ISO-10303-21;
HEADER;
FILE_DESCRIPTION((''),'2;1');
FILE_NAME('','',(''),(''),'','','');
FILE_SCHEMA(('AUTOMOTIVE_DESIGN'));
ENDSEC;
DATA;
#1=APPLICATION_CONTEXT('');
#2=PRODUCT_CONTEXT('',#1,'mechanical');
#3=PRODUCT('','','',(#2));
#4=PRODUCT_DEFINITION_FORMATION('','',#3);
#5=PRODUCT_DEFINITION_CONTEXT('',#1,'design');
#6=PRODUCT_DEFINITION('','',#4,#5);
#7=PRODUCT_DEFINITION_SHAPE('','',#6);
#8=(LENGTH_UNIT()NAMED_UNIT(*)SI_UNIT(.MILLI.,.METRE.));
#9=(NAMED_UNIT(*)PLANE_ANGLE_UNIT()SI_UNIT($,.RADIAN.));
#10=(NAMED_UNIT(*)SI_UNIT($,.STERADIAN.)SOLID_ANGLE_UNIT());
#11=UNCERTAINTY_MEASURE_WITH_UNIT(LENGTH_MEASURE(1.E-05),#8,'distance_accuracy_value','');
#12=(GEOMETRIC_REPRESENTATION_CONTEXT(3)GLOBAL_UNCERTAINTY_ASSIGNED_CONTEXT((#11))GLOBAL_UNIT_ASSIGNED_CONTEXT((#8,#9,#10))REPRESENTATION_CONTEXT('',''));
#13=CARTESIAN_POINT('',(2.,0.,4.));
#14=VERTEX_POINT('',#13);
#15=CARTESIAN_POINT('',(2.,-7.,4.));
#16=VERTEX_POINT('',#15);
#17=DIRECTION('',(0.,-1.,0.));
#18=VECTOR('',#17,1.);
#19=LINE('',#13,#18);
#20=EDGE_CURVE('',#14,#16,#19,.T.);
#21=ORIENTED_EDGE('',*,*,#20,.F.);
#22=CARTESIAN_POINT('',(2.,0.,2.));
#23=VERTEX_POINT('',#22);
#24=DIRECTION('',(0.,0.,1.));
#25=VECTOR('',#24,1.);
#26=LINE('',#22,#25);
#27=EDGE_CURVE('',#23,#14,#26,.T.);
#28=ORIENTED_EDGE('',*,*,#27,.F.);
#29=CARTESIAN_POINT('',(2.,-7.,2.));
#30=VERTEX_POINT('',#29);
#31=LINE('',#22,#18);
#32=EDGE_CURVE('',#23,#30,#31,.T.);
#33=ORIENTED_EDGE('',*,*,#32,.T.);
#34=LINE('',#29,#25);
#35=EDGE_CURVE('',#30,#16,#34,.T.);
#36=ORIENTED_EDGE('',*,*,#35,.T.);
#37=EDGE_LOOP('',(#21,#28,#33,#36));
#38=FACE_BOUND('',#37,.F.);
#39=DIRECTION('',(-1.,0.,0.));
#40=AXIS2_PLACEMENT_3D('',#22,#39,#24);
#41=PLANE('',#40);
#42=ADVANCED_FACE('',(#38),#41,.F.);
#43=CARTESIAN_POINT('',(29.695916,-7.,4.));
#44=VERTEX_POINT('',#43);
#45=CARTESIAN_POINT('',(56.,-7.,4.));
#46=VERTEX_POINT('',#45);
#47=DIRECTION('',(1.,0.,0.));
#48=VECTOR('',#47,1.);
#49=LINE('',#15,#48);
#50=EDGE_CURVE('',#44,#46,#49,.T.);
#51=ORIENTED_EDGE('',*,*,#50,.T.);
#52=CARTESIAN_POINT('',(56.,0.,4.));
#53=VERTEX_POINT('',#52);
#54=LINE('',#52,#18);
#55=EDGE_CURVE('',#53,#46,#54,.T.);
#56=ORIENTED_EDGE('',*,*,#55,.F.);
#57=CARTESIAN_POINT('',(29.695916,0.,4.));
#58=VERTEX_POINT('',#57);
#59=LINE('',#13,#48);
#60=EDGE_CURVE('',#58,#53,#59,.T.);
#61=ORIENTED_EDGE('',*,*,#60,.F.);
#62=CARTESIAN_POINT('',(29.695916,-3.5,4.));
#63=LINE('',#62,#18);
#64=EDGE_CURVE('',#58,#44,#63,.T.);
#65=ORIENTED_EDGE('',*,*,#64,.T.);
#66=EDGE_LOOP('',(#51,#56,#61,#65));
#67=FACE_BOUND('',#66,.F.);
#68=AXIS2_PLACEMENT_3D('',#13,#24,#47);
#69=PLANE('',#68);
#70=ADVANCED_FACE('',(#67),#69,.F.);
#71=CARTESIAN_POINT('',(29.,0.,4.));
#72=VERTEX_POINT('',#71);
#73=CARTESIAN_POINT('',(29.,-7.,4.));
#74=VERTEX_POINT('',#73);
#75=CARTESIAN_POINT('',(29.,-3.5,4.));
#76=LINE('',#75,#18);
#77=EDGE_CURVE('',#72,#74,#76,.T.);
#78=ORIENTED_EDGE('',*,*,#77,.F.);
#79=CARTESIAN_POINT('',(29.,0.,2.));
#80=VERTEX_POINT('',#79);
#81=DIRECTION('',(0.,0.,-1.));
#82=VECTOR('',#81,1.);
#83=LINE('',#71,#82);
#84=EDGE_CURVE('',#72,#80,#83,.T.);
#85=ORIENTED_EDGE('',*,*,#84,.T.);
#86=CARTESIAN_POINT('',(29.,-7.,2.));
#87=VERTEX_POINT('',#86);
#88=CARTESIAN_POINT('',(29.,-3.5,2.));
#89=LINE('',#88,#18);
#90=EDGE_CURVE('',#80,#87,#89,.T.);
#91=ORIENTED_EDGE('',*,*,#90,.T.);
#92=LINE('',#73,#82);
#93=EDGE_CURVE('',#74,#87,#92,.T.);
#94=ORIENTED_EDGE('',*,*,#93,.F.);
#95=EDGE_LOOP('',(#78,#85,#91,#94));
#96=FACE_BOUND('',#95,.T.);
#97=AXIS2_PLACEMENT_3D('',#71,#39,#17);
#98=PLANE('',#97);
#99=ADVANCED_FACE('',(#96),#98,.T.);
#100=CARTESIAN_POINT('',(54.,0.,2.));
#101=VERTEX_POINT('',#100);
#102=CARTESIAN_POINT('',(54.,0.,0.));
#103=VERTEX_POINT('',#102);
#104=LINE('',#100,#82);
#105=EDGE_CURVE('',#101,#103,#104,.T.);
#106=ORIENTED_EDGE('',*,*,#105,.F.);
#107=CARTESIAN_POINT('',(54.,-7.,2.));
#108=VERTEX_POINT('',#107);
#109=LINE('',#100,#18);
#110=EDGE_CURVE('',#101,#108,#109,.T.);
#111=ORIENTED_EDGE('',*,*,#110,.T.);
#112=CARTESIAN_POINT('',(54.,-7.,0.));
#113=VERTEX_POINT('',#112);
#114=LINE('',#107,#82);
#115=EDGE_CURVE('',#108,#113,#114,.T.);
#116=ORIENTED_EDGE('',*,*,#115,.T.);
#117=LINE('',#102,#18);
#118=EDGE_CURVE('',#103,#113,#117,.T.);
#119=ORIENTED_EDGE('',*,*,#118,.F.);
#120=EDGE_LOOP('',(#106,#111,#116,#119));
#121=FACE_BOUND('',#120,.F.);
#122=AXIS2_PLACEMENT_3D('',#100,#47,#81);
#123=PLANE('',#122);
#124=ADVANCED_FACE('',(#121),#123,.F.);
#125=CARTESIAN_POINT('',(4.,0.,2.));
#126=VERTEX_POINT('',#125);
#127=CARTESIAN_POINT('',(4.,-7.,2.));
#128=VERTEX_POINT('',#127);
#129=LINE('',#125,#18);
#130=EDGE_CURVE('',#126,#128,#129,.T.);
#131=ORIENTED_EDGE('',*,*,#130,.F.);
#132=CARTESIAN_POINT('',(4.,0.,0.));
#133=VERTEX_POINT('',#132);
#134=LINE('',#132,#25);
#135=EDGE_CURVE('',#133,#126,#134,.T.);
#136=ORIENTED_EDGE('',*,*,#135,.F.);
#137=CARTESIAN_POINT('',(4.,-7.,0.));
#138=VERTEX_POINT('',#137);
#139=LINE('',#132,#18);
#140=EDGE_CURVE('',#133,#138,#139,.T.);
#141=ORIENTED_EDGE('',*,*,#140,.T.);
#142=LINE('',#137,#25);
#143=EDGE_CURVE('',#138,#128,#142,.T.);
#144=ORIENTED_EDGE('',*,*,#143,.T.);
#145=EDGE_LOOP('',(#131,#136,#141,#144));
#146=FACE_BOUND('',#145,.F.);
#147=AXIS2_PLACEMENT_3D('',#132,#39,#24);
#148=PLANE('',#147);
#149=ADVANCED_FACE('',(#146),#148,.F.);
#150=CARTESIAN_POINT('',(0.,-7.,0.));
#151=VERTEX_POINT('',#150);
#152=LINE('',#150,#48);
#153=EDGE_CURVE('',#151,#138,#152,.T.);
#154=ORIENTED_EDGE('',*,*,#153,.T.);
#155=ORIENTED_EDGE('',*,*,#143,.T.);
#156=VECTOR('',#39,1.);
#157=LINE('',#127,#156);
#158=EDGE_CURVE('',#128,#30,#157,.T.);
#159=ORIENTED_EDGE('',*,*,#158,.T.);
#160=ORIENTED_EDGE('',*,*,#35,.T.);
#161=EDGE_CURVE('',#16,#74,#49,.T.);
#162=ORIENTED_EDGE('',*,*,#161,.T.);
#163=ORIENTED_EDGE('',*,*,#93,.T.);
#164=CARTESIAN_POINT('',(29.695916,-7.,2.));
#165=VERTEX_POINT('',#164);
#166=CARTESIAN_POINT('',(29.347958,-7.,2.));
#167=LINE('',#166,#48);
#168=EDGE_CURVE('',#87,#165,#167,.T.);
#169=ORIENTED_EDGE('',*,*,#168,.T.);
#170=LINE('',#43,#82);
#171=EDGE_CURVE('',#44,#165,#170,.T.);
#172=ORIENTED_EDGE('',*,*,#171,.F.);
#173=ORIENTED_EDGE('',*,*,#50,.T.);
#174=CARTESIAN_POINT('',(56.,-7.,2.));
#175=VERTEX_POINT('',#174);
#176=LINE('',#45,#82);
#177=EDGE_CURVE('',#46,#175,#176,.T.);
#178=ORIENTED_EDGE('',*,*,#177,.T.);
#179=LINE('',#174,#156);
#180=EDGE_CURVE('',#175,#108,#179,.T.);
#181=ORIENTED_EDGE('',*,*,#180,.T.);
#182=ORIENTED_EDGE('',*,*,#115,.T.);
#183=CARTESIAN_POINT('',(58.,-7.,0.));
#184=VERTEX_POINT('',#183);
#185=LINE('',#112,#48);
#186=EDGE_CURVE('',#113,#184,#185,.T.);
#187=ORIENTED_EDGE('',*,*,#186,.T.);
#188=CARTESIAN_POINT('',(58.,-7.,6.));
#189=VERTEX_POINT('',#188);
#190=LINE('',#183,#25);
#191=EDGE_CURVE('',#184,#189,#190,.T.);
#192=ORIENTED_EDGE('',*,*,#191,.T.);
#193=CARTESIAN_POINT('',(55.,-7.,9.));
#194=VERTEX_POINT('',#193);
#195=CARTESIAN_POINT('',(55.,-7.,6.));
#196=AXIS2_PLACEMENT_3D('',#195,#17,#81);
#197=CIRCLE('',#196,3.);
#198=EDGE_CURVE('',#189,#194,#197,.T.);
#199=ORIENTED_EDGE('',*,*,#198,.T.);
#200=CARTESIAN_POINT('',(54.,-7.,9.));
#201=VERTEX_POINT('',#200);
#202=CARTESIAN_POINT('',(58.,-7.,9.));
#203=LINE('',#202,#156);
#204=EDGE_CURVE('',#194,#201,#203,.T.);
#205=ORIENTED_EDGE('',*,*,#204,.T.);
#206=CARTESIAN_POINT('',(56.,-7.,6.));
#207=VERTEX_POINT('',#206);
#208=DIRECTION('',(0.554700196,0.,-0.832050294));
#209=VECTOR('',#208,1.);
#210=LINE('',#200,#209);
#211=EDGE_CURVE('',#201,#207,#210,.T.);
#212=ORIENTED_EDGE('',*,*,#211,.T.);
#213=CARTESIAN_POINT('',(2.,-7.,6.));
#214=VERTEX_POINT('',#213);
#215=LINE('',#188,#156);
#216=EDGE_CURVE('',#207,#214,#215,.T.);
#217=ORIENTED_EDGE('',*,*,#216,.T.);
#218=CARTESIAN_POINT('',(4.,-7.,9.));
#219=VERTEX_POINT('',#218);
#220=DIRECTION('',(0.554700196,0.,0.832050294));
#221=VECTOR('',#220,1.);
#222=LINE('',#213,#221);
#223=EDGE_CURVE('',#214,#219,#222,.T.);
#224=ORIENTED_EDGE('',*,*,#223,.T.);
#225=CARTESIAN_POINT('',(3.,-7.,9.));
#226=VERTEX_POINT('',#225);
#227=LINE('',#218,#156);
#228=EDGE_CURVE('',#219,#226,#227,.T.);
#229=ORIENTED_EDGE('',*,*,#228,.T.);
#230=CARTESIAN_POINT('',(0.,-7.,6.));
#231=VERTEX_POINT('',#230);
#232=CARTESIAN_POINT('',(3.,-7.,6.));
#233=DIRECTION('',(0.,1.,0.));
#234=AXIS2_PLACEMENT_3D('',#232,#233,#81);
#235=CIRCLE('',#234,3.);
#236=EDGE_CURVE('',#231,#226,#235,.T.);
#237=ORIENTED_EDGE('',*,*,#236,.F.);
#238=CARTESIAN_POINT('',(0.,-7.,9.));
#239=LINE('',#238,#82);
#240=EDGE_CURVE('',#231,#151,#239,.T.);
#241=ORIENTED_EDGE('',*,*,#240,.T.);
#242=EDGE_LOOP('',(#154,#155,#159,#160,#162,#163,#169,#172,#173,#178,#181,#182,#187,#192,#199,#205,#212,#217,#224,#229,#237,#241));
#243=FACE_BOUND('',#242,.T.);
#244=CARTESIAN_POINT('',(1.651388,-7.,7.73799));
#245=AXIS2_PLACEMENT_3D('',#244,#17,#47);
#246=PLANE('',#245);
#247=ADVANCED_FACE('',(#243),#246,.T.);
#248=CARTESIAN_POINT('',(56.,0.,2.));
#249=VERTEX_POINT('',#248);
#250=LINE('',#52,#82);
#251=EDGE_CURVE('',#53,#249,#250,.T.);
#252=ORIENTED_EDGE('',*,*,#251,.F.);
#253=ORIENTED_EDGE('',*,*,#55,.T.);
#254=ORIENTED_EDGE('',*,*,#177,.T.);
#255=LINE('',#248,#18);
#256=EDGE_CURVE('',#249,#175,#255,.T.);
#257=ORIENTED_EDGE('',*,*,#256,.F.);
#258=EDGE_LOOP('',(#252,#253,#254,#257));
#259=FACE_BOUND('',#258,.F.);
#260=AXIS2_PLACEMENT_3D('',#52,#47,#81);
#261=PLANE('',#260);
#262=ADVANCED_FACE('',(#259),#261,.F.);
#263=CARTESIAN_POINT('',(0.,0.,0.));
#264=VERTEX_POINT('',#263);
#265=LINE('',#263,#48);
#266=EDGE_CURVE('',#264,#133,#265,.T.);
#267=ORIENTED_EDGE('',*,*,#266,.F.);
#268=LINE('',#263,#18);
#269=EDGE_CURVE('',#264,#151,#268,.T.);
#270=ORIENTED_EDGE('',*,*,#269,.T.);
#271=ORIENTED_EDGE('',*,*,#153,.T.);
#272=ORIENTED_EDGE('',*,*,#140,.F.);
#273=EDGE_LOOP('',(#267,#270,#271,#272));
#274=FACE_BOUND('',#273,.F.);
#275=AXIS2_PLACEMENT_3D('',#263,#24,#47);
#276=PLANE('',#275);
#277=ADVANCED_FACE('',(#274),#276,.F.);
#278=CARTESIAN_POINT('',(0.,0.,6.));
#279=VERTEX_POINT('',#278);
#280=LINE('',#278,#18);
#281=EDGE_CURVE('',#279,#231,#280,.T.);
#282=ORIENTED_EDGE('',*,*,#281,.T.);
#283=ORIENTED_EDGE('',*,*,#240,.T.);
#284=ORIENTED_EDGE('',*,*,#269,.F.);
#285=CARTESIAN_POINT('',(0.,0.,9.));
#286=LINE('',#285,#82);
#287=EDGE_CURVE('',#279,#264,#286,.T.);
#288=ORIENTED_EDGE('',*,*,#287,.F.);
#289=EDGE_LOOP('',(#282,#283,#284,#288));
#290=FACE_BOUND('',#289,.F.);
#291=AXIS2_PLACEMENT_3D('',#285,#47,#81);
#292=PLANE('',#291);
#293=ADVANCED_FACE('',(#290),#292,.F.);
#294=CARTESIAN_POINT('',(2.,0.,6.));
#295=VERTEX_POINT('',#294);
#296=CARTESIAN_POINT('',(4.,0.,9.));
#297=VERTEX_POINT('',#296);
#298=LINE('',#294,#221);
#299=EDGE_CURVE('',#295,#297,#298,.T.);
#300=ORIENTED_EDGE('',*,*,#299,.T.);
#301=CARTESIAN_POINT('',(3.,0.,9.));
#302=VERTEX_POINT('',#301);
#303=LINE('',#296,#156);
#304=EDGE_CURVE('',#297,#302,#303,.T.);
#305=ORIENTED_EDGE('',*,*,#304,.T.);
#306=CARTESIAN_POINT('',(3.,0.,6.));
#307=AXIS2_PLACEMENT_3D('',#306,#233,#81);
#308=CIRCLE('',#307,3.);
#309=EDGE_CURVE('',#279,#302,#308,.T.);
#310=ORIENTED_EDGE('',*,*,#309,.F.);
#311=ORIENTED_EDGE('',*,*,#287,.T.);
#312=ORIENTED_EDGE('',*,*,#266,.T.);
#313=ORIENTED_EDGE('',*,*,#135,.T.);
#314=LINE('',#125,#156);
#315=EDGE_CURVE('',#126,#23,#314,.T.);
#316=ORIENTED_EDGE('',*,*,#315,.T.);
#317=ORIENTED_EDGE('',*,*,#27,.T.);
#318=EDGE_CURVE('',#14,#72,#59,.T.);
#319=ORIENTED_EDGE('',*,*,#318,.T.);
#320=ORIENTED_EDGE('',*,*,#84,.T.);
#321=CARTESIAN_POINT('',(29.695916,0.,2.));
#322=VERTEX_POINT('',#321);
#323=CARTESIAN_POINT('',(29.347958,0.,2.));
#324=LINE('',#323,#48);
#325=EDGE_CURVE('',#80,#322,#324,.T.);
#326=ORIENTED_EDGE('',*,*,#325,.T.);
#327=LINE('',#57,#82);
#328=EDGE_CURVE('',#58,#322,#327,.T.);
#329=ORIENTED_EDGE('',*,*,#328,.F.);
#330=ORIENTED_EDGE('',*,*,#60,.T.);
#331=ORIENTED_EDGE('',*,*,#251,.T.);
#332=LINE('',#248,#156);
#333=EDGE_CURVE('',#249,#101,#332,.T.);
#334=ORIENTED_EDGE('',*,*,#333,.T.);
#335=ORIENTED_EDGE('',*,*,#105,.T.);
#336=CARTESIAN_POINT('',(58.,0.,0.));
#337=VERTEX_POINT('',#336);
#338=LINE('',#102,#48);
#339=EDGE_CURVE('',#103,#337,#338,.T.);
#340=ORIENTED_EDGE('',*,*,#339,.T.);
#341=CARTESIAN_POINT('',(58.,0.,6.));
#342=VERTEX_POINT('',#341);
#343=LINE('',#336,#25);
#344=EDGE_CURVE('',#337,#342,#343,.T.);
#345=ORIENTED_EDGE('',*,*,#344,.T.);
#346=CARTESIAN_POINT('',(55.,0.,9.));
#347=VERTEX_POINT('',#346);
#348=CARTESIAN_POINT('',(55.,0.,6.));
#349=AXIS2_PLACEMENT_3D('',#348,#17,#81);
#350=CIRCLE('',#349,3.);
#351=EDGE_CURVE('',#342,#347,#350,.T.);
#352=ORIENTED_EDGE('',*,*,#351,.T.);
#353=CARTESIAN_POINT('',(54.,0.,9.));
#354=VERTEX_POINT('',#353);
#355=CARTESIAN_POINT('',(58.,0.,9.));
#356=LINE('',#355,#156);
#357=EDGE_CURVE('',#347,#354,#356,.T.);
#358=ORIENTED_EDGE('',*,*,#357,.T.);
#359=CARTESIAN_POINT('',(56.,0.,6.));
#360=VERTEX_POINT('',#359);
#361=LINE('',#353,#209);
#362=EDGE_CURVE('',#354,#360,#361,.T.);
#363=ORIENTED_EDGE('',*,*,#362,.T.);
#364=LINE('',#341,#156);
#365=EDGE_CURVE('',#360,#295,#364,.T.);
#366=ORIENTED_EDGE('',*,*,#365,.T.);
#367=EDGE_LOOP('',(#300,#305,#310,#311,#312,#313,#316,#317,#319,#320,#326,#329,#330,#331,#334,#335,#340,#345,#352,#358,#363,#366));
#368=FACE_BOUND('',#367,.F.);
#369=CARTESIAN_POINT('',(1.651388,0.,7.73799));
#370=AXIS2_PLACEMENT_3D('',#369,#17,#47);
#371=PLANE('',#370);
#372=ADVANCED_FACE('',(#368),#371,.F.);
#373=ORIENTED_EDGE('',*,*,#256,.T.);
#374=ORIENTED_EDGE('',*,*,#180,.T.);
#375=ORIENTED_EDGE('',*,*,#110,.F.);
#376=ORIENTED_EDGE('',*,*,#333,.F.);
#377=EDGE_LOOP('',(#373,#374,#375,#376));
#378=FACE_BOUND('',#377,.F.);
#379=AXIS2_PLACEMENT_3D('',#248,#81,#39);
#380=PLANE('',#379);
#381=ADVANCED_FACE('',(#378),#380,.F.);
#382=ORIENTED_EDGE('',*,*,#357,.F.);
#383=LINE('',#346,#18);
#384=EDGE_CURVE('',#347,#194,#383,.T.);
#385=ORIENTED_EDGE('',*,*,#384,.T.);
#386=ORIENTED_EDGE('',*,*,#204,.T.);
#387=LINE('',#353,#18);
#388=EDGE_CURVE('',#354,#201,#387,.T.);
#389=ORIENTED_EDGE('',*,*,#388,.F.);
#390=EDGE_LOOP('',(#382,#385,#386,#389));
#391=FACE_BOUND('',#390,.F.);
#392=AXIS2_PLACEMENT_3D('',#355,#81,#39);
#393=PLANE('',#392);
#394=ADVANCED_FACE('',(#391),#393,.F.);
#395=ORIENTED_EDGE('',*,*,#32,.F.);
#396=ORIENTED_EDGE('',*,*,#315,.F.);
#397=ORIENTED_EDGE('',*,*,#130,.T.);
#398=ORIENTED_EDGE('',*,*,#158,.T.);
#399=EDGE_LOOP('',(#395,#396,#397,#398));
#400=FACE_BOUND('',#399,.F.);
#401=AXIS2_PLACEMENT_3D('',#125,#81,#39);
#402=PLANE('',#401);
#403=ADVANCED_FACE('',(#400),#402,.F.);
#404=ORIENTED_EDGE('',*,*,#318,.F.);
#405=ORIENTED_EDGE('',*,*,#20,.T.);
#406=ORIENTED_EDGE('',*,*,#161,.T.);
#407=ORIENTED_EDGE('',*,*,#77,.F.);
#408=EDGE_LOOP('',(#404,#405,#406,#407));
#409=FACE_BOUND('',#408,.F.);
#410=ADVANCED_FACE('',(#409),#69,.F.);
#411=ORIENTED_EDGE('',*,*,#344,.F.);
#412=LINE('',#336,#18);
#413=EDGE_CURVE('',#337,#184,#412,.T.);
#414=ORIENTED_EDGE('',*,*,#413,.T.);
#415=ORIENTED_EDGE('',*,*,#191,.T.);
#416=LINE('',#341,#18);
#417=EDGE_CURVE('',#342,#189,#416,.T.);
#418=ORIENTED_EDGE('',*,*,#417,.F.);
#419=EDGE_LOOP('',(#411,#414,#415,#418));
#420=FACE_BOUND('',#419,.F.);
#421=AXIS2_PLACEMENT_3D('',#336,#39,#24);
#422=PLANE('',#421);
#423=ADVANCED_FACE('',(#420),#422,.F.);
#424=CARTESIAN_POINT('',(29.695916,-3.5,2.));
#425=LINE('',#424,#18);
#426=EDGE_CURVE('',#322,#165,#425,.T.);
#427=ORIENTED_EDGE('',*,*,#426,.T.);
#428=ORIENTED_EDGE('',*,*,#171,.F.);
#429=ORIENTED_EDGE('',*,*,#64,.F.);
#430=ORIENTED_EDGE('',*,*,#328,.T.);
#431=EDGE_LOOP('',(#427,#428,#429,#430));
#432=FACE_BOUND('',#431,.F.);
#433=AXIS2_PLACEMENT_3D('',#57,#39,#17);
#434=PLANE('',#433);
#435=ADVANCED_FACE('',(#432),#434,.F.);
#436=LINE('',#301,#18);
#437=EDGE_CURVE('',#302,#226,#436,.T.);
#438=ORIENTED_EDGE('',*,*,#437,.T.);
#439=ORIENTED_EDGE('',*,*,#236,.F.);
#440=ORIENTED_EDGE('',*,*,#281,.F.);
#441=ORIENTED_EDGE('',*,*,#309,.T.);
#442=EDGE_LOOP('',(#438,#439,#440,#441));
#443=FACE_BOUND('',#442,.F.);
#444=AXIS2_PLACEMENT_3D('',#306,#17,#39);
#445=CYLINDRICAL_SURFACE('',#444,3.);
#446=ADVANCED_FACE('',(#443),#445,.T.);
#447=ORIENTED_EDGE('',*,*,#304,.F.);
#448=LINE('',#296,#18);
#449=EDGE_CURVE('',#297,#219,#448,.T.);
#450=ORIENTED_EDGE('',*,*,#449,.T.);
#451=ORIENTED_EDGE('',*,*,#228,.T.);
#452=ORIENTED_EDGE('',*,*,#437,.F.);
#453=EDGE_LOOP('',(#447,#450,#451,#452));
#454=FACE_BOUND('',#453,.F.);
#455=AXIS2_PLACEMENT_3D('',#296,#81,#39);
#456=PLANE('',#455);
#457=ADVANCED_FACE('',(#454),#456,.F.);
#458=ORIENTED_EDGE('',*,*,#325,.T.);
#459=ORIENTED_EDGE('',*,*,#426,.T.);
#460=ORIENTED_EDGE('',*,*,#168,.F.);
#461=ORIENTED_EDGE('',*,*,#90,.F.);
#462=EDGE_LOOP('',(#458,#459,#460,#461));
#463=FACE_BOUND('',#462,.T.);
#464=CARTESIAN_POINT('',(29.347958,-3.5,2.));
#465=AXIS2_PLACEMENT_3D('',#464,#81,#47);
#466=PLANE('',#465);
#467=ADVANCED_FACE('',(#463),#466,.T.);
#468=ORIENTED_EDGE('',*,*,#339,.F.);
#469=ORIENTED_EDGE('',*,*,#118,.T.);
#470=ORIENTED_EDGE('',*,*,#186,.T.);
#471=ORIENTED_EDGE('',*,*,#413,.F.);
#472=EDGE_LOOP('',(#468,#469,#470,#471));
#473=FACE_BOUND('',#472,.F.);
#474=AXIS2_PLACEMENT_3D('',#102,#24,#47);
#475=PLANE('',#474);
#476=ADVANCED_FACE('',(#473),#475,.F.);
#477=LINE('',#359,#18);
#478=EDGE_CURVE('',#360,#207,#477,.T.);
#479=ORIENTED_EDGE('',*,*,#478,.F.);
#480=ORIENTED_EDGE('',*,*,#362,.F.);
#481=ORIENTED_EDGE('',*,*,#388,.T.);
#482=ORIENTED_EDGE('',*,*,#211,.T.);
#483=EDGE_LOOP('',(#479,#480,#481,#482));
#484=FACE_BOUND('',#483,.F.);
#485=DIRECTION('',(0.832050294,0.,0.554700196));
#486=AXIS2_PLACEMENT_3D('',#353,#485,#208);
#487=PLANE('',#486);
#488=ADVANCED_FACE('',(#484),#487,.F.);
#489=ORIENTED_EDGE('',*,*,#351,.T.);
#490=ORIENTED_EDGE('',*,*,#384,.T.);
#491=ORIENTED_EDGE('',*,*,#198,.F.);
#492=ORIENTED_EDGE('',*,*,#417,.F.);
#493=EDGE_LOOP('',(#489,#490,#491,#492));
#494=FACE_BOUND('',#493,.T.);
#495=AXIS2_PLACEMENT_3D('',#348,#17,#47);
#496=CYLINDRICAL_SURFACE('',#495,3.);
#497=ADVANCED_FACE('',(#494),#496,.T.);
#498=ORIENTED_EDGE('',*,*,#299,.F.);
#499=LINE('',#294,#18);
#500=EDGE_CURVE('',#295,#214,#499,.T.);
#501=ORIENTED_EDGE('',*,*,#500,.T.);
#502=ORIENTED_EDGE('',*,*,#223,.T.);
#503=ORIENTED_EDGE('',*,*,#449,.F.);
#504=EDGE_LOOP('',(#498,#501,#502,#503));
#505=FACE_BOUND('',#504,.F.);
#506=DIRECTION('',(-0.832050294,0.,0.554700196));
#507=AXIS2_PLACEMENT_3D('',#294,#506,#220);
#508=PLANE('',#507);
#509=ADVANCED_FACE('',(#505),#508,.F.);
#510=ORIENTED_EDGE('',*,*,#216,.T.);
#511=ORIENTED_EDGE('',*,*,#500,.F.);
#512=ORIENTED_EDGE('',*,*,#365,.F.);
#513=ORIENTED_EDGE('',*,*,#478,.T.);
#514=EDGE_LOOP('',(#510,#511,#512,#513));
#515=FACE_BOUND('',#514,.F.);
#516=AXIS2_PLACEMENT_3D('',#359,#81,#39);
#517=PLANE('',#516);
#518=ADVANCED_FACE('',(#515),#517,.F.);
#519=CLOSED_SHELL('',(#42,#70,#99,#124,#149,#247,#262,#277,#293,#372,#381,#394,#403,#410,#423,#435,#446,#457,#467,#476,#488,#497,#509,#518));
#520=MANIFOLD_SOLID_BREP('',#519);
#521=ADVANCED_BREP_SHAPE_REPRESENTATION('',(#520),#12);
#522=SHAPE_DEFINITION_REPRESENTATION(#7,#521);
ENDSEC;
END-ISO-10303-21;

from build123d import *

# Parameters (mm, degrees)
F1_DEPTH = 7
F2_R     = 3
F3_W     = 0.695917
F3_H     = 7
F4_DEPTH = 2


with BuildPart() as f1:
    # F0 (on Front) → F1 (new body)
    with BuildSketch(Plane.XZ):
        Polygon((0, 9), (0, 6), (2, 6), (4, 9), align=None)
        Polygon((2, 6), (0, 6), (0, 0), (4, 0), (4, 2), (2, 2), (2, 4), (56, 4), (56, 2), (54, 2), (54, 0), (58, 0), (58, 6), (56, 6), align=None)
        Polygon((54, 9), (56, 6), (58, 6), (58, 9), align=None)
    extrude(amount=F1_DEPTH)

    # F2
    f2_edges = [f1.edges().sort_by_distance(p)[0] for p in [
        (0, -3.5, 9),
        (58, -3.5, 9),
    ]]
    fillet(f2_edges, radius=F2_R)

    # F3 (on face) → F4 (join)
    with BuildSketch(Plane(origin=(0, 0, 4), x_dir=(1, 0, 0), z_dir=(0, 0, -1))):
        with Locations((29.347958, 3.5)):
            Rectangle(F3_W, F3_H)
    extrude(amount=F4_DEPTH)


solid = f1.part
